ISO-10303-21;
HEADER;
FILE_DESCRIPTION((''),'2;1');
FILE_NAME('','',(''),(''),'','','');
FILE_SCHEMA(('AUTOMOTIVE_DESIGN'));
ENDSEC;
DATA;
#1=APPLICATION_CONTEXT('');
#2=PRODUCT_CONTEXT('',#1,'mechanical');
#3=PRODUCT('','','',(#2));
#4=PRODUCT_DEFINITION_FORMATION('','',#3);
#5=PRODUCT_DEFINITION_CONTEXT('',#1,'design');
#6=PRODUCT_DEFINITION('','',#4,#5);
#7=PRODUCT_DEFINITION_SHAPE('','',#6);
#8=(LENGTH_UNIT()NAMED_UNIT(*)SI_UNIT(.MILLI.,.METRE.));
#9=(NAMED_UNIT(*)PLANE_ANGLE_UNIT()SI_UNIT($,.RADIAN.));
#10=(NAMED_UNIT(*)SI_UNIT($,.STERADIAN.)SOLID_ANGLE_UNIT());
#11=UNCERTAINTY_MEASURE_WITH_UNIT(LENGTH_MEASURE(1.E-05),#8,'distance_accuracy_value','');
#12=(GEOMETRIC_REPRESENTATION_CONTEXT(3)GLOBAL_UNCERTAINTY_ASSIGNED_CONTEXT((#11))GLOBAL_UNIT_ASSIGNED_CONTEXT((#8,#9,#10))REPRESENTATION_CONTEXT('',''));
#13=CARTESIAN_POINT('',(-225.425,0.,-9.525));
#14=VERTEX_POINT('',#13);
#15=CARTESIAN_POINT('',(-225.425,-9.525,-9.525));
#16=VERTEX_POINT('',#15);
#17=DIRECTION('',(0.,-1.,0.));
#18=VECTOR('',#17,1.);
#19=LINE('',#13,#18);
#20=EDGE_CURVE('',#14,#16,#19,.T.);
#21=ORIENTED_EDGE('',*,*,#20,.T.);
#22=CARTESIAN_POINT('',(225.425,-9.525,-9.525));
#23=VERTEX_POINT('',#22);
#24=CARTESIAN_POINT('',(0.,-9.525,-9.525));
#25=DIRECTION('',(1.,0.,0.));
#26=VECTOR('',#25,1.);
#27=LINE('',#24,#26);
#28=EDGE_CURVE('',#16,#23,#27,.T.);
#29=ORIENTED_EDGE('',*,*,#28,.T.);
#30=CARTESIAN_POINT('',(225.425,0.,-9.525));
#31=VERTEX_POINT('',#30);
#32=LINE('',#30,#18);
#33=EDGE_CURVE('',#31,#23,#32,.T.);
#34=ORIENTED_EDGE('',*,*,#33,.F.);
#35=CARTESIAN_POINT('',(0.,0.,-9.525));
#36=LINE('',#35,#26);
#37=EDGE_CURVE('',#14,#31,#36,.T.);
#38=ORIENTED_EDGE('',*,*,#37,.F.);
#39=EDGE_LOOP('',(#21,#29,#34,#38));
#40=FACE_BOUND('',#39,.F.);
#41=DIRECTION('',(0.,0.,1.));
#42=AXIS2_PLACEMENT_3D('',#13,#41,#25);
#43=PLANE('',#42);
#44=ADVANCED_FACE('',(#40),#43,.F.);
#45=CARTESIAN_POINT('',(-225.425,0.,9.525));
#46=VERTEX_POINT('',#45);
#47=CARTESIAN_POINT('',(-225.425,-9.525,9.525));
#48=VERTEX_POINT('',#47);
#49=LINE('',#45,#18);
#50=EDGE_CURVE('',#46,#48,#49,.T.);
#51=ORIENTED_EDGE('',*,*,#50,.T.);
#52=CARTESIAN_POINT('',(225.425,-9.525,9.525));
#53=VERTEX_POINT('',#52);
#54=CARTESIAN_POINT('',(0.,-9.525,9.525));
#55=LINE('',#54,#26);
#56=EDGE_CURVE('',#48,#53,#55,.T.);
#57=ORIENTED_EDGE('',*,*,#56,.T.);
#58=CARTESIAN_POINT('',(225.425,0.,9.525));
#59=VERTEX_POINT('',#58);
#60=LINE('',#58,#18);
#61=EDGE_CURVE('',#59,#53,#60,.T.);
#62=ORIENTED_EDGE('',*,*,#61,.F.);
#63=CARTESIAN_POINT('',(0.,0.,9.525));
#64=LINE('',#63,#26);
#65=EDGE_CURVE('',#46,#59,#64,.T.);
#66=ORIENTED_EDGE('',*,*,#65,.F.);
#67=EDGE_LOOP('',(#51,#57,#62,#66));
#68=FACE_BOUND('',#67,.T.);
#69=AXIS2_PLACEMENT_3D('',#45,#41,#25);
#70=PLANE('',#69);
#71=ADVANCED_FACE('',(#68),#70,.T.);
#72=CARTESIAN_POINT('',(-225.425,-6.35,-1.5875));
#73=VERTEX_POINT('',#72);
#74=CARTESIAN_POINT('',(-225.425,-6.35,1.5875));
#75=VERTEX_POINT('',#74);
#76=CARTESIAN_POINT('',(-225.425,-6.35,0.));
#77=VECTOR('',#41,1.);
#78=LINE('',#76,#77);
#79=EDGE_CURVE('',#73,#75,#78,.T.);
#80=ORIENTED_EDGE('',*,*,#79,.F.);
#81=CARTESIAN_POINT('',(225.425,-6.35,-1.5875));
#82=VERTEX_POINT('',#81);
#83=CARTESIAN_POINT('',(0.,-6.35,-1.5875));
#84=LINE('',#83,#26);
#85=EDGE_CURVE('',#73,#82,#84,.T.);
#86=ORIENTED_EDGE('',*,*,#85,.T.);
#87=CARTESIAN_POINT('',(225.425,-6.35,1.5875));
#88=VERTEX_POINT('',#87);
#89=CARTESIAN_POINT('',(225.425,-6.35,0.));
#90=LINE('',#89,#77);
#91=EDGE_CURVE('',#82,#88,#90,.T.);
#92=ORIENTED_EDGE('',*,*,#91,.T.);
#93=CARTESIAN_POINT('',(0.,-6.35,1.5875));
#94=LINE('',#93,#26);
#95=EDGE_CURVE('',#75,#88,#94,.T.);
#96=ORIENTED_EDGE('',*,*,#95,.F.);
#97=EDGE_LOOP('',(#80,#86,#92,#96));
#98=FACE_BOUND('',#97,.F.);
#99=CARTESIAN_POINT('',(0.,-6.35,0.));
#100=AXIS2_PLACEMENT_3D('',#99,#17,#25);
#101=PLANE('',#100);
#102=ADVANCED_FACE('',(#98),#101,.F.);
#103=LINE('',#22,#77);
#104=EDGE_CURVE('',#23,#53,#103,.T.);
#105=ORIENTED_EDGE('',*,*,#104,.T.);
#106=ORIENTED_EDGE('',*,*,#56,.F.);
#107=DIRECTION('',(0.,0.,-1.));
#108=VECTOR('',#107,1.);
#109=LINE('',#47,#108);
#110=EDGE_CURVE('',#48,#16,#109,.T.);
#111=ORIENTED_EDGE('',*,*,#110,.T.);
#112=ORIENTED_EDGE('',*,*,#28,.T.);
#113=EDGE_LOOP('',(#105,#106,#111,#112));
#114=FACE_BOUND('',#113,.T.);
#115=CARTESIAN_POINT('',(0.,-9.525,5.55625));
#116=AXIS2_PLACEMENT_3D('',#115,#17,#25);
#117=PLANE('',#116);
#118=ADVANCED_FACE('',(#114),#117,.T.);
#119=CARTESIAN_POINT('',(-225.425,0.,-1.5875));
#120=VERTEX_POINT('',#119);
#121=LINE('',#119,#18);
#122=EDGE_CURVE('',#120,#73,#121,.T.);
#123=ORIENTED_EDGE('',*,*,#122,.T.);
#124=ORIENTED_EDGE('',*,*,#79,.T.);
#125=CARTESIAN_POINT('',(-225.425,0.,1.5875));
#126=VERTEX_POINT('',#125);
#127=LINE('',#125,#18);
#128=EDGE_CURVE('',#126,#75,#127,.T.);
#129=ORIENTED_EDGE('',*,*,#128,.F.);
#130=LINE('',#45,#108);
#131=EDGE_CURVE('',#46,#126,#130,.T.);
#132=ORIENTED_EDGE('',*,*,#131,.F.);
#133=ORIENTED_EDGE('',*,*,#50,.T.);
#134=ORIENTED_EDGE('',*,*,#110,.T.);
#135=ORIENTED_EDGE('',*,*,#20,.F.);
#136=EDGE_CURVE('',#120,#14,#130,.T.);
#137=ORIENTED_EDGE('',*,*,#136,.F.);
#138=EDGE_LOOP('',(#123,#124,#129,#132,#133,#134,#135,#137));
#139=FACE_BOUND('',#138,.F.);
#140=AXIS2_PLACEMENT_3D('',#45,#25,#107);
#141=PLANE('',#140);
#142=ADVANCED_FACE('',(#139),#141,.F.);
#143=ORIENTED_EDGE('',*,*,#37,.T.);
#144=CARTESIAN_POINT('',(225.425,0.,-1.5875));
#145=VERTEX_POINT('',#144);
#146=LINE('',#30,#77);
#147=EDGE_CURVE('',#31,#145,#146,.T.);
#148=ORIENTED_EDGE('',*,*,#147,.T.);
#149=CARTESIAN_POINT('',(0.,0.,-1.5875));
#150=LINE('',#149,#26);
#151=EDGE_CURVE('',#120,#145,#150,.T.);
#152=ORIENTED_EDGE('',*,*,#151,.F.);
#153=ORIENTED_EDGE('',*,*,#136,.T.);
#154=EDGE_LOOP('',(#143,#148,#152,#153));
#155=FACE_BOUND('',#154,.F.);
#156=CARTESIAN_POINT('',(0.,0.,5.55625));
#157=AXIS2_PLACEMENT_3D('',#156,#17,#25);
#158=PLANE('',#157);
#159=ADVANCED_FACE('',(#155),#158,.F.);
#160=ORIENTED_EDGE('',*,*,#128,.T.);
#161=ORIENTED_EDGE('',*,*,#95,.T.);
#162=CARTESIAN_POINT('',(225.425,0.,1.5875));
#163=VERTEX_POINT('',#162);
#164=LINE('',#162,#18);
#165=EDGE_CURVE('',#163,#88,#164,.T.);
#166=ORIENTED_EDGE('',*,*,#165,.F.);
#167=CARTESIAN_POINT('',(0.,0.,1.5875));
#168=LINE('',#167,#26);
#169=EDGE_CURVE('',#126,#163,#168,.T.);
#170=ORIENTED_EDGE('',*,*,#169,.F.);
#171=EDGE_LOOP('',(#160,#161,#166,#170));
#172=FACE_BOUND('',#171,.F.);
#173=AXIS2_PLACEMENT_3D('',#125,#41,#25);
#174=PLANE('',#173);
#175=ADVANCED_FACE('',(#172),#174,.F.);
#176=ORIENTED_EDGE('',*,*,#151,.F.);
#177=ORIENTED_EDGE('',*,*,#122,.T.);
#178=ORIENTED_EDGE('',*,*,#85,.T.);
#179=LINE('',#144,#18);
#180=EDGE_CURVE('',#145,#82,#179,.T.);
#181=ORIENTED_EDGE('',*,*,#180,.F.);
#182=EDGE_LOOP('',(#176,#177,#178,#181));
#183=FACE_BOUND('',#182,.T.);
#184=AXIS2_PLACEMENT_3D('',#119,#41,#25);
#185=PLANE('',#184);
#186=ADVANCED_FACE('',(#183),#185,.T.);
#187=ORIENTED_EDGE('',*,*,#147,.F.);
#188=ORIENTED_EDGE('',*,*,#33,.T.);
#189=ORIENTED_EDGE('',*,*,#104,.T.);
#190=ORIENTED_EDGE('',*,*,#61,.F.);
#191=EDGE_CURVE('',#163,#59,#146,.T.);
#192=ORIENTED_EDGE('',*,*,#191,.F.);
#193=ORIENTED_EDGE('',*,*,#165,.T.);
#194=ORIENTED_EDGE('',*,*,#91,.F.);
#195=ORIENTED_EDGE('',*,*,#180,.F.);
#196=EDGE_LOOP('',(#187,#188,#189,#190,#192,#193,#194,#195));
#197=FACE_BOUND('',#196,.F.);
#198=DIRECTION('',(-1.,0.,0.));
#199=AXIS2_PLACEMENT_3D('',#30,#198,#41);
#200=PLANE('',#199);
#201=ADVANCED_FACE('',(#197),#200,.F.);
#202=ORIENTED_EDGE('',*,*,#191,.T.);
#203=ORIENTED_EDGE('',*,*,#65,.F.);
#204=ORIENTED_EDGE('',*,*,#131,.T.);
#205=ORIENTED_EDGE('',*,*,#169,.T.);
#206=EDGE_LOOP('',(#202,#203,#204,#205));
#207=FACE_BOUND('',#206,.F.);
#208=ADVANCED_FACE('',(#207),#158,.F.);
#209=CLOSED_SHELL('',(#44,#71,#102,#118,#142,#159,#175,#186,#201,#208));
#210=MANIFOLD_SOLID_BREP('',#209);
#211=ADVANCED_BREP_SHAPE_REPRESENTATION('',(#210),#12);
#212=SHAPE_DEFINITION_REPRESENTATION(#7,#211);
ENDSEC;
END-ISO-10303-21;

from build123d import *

# Parameters (mm, degrees)
F0_W     = 450.85
F0_H     = 7.9375
F0_H_2   = 3.175
F1_DEPTH = 9.525
F2_DEPTH = 6.35


with BuildPart() as f1:
    # F0 (on Front) → F1 (new body)
    with BuildSketch(Plane.XZ):
        with Locations((0, 5.55625)):
            Rectangle(F0_W, F0_H)
        Rectangle(F0_W, F0_H_2)
        with Locations((0, -5.55625)):
            Rectangle(F0_W, F0_H)
    extrude(amount=F1_DEPTH)

    # F0 (on Front) → F2 (cut)
    with BuildSketch(Plane.XZ):
        Rectangle(F0_W, F0_H_2)
    extrude(amount=F2_DEPTH, mode=Mode.SUBTRACT)


solid = f1.part
